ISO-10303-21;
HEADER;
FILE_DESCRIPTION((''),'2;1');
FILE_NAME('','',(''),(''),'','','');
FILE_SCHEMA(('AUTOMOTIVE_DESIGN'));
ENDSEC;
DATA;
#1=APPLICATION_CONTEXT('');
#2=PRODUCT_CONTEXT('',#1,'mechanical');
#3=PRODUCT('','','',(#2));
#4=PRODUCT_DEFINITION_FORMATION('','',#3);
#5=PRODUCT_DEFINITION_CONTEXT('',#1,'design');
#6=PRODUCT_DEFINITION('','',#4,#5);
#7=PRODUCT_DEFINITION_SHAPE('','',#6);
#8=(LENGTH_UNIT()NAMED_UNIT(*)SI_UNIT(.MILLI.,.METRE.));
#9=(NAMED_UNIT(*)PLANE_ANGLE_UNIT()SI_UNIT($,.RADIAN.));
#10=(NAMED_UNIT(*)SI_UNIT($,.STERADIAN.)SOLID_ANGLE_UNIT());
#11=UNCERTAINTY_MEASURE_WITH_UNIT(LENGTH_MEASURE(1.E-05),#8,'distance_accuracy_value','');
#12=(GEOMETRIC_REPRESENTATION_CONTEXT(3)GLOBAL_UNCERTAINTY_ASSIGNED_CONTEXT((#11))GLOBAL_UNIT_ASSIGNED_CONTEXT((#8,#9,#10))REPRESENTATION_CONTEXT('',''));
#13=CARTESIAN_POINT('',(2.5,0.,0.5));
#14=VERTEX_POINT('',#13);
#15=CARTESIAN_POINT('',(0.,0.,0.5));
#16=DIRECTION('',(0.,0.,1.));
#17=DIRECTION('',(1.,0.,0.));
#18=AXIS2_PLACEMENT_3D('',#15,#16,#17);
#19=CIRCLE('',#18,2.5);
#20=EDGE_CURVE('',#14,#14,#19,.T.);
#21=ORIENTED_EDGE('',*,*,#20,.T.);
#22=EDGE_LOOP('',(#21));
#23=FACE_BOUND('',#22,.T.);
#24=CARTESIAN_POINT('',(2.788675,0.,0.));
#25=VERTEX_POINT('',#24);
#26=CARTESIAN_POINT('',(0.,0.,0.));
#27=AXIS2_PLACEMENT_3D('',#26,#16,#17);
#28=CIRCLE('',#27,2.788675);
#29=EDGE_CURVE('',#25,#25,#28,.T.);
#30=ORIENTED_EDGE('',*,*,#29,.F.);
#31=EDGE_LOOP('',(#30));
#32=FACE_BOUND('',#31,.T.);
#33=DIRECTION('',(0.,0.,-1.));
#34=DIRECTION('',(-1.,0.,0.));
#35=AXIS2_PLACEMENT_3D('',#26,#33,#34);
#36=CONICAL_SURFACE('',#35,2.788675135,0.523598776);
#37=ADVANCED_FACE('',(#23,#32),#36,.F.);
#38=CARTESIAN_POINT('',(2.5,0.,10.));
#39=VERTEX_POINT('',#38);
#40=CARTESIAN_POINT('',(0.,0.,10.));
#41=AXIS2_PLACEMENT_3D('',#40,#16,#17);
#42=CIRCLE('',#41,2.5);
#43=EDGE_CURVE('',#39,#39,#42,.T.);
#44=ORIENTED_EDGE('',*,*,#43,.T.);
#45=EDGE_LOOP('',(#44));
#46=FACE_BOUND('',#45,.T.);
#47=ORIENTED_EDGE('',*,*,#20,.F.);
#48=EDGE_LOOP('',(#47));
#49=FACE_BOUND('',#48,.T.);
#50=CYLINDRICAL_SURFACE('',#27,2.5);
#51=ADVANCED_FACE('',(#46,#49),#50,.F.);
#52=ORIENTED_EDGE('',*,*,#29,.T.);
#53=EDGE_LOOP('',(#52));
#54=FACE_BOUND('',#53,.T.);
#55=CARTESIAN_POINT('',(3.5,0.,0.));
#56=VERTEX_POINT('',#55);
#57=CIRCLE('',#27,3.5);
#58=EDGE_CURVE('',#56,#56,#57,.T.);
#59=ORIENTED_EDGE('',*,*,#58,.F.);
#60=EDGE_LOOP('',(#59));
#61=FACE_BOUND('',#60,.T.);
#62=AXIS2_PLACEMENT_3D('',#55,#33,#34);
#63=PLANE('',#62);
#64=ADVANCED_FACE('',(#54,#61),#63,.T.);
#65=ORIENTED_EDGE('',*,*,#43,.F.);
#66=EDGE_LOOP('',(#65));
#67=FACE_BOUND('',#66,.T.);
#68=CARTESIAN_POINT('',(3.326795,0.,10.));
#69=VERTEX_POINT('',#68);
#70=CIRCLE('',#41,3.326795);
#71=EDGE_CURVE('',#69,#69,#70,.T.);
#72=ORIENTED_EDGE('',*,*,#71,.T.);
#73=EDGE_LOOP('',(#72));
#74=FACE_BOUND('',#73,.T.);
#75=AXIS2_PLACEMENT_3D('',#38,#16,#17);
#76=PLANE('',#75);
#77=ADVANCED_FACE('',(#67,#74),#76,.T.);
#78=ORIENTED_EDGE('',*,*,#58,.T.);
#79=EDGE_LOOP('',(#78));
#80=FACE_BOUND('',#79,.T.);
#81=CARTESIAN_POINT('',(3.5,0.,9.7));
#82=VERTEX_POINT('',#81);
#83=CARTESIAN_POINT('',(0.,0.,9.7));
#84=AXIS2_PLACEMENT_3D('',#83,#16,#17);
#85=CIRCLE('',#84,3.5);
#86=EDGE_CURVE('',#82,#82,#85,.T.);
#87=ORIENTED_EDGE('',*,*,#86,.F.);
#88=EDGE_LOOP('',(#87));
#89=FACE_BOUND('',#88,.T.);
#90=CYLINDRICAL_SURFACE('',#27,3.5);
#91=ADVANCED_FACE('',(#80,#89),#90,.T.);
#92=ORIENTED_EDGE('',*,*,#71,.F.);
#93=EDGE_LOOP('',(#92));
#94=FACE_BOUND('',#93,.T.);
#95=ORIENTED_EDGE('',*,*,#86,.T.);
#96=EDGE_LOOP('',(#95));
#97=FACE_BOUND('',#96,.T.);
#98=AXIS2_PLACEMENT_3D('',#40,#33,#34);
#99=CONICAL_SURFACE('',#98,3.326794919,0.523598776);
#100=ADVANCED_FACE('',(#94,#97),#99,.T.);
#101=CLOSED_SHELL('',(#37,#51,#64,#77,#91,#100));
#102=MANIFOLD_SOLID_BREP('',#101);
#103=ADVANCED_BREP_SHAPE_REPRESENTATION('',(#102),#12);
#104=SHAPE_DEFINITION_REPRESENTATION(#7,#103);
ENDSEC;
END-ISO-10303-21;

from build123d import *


with BuildPart() as part:
    # Sketch1 → Revolve1 (revolve)
    with BuildSketch(Plane(origin=(0, 0, 0), x_dir=(1, 0, 0), z_dir=(0, 1, 0))):
        Polygon((2.788675135, 0), (2.5, -0.5), (2.5, -10), (3.326794919, -10), (3.5, -9.7), (3.5, 0), align=None)
    revolve(axis=Axis((0, 0, 0), (0, 0, 1)))


solid = part.part
